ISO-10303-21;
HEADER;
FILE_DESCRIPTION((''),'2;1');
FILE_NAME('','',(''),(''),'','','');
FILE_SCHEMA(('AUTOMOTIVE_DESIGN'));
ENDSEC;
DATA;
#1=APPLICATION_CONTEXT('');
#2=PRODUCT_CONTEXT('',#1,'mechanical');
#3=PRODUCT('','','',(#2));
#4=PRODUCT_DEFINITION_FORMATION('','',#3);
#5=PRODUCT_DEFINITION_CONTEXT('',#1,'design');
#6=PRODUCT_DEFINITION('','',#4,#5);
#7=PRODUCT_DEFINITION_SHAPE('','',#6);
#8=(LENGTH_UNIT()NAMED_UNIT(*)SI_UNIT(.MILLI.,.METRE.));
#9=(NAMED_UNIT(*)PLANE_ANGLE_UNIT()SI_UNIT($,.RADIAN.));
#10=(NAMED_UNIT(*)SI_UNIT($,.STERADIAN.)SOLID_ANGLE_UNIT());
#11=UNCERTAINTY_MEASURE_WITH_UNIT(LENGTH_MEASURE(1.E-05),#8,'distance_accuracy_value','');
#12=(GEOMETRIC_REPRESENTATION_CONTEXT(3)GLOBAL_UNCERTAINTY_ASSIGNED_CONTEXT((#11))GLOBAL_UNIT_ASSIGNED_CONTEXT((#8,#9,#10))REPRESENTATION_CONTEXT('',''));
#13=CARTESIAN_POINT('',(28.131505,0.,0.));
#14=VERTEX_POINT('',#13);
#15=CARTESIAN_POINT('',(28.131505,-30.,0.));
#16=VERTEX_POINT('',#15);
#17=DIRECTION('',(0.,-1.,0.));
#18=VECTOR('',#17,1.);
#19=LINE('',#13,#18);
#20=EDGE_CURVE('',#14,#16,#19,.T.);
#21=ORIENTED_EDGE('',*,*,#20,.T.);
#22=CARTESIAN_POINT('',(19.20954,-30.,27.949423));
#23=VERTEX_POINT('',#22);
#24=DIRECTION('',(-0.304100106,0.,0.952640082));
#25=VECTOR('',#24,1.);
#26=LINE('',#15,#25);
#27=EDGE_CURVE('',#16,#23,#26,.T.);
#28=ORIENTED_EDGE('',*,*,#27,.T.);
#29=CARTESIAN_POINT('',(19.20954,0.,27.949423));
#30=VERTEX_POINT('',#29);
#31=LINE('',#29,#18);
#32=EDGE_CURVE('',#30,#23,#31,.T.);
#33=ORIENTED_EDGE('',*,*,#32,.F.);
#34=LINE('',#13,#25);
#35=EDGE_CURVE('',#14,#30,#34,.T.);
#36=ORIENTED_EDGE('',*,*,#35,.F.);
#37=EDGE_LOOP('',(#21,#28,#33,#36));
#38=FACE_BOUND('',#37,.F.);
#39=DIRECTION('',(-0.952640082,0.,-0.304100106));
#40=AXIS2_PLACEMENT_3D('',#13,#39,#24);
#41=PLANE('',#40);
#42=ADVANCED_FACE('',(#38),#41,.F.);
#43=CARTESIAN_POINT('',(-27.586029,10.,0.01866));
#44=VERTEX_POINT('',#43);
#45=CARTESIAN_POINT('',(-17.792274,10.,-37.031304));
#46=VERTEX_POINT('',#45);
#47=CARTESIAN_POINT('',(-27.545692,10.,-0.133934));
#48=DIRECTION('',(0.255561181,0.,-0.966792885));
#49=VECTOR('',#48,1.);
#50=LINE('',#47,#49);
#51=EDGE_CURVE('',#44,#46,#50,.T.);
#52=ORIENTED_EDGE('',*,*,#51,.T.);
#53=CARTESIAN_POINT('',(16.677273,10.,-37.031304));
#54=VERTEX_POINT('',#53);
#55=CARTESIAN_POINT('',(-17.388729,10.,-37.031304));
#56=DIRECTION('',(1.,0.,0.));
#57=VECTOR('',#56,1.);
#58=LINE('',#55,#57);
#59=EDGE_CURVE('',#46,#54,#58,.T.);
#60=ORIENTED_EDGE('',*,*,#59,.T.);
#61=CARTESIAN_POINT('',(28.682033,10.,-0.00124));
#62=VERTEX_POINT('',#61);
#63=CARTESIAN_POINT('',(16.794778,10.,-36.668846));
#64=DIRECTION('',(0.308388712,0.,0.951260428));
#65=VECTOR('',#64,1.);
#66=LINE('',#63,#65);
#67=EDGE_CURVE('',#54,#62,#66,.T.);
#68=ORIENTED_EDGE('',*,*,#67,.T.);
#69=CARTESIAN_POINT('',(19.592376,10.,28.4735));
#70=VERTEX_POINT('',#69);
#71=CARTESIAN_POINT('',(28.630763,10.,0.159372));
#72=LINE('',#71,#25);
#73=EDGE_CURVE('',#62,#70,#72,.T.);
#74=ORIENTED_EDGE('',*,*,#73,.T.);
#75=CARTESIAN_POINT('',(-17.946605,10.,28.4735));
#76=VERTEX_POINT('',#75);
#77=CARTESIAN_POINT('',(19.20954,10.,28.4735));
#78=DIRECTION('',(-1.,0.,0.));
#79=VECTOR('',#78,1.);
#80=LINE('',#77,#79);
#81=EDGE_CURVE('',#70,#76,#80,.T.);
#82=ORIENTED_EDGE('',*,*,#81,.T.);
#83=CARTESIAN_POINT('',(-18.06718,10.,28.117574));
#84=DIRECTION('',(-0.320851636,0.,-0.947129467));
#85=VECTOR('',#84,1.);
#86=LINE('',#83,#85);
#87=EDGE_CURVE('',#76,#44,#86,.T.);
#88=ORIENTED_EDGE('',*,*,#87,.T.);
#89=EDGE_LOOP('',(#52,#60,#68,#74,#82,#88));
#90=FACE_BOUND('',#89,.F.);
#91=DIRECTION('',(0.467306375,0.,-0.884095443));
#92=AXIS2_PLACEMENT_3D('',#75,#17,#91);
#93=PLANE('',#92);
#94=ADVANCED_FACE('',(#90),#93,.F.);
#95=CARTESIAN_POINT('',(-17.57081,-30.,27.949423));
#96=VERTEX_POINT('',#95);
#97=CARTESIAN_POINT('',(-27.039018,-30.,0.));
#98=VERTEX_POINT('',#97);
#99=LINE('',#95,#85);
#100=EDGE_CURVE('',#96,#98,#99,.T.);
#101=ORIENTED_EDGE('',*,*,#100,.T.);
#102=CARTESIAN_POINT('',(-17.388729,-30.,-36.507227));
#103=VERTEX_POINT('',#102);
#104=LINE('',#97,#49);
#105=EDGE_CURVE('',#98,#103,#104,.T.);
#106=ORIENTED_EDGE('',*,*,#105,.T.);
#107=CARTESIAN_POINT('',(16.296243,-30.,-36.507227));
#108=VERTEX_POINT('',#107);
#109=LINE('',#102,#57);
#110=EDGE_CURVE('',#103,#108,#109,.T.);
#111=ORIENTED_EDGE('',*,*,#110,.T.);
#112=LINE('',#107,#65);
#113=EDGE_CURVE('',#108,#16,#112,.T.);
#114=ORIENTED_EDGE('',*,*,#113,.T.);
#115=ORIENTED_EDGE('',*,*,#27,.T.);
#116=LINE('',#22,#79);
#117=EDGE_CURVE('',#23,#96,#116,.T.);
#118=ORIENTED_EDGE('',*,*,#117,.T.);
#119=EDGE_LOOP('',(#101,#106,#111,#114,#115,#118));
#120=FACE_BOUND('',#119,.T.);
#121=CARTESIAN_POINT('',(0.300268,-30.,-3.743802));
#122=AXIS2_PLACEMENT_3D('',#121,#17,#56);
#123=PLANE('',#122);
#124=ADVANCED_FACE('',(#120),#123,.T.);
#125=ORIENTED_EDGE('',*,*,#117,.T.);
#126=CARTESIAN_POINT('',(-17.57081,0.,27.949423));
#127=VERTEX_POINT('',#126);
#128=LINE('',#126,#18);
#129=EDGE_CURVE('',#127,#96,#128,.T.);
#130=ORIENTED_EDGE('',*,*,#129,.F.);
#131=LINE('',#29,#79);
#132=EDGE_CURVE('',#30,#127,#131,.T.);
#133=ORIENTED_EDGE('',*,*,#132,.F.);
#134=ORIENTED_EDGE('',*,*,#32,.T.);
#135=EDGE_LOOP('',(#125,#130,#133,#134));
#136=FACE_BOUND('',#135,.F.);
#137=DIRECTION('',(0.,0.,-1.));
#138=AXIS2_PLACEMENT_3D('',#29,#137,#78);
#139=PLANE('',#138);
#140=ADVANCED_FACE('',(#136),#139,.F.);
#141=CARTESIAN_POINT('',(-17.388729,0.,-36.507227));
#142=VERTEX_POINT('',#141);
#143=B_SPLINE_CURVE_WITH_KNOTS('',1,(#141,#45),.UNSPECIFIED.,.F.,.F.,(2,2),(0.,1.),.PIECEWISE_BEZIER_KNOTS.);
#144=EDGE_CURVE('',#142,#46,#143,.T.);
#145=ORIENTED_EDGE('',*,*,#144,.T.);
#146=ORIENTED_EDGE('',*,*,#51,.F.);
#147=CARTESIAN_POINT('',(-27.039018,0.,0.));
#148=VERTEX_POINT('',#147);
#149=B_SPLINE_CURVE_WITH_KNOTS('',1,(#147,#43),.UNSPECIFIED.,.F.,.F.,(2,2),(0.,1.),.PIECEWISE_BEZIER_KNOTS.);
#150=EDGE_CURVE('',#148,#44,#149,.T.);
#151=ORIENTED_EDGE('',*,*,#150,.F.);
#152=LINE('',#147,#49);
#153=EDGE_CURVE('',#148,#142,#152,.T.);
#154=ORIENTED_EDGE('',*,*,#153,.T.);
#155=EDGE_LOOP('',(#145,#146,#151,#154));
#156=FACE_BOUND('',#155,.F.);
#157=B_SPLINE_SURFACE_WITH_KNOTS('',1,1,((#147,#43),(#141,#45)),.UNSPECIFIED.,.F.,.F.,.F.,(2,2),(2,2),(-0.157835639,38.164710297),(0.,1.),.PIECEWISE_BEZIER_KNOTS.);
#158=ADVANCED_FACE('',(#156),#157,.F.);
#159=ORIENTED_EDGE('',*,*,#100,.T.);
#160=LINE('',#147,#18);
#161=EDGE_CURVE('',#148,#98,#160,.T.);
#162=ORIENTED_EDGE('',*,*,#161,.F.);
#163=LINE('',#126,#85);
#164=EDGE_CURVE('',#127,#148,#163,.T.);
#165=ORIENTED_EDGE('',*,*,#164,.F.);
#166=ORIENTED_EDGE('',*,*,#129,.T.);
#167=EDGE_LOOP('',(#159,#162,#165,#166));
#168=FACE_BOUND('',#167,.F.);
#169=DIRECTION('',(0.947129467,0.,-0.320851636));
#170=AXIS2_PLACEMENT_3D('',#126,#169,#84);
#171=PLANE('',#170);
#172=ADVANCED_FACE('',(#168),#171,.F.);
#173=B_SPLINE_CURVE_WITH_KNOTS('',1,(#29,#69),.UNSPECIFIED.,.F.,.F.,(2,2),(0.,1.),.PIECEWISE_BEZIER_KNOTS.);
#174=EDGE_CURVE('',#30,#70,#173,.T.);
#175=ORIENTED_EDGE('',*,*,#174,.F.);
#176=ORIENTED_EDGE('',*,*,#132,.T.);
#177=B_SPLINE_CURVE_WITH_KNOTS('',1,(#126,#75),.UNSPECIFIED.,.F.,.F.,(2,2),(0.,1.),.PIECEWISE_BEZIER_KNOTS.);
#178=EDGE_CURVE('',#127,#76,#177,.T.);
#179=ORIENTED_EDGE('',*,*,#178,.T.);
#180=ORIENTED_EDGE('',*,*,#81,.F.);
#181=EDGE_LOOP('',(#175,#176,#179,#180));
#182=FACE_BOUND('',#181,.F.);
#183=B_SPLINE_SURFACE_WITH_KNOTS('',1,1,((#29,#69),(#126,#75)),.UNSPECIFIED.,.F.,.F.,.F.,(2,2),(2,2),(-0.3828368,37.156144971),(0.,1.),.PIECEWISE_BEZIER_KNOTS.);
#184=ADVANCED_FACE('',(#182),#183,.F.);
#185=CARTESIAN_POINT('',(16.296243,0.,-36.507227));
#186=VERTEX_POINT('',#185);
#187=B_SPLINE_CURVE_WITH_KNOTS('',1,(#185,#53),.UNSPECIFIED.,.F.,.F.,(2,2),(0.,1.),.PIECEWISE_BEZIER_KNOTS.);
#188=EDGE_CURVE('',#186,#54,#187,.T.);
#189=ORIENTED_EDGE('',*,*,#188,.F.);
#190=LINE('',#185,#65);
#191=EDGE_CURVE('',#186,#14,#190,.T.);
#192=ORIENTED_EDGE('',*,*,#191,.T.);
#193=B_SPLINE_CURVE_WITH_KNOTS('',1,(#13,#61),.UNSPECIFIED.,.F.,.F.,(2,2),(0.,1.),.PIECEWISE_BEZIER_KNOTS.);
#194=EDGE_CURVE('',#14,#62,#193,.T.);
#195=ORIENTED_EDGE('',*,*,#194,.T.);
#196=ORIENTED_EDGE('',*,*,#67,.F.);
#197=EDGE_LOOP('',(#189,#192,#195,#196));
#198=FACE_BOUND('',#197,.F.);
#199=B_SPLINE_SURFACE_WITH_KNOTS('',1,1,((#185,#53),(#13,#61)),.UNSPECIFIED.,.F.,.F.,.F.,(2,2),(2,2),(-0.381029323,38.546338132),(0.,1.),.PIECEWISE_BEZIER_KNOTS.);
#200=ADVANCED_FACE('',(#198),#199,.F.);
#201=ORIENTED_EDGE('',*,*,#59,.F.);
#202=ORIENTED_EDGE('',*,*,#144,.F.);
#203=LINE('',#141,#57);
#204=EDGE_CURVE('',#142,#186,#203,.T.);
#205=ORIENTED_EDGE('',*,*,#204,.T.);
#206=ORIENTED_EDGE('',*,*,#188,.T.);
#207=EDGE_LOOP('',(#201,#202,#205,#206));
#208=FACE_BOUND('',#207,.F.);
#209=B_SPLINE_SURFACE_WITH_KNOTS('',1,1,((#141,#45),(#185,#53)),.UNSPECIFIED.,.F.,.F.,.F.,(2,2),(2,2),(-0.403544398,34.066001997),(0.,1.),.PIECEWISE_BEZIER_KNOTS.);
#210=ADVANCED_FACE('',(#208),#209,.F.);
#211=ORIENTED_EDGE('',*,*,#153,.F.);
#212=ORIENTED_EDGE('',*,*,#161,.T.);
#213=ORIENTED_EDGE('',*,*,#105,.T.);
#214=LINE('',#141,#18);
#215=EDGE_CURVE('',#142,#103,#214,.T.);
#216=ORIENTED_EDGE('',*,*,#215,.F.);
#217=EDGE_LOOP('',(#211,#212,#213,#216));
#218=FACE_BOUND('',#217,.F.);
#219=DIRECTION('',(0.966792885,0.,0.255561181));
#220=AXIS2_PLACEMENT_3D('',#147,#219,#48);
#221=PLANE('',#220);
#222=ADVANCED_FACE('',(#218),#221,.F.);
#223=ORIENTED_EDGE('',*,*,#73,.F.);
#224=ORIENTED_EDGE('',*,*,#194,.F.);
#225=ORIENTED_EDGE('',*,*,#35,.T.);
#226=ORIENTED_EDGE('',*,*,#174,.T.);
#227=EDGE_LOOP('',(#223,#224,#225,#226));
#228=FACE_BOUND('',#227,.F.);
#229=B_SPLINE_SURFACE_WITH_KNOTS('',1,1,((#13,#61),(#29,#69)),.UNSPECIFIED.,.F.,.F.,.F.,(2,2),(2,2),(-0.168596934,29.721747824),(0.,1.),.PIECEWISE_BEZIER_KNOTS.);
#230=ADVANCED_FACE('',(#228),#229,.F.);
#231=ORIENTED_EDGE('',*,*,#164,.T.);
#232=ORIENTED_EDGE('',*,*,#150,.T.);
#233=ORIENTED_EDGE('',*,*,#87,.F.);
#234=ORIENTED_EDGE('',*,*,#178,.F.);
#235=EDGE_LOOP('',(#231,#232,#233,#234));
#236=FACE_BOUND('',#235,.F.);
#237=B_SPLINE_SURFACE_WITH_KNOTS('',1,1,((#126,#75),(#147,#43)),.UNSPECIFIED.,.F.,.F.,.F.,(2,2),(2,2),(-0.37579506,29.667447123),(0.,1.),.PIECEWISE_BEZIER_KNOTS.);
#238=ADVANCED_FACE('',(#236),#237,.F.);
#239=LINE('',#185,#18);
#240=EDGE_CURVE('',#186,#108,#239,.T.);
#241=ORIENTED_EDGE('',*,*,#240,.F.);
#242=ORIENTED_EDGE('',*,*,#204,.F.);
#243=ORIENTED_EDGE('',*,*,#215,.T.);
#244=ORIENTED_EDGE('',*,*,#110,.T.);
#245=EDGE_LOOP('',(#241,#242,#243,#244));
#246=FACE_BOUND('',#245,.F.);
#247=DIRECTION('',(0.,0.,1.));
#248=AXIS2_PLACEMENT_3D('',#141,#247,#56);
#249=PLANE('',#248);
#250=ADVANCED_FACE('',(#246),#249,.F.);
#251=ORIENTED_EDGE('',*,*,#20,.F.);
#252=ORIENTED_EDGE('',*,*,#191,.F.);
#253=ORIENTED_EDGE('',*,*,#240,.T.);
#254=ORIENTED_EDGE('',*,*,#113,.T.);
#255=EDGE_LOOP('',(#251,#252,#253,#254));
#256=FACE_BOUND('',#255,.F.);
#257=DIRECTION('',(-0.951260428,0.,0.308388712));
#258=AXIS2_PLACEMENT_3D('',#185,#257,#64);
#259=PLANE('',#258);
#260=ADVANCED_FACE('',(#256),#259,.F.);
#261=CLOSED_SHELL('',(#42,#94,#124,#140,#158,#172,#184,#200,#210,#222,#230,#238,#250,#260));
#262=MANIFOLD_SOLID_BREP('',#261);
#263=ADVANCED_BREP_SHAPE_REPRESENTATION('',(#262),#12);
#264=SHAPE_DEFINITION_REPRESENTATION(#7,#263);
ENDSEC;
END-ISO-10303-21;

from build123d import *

# Parameters (mm, degrees)
F1_DEPTH      = 30
F1_DEPTH_BACK = 10
F1_TAPER_BACK = -3


with BuildPart() as f1:
    # F0 (on Front) → F1 (new body, two sides)
    with BuildSketch(Plane.XZ) as f1_sk:
        Polygon((-17.5708103925, 27.9494225979), (-27.0390175283, 0), (-17.3887293786, -36.5072265267), (0, -36.5072265267), (16.2962432951, -36.5072265267), (28.1315054744, 0), (19.2095395178, 27.9494225979), align=None)
    extrude(amount=F1_DEPTH)
    extrude(f1_sk.sketch, amount=-F1_DEPTH_BACK, taper=F1_TAPER_BACK)


solid = f1.part
